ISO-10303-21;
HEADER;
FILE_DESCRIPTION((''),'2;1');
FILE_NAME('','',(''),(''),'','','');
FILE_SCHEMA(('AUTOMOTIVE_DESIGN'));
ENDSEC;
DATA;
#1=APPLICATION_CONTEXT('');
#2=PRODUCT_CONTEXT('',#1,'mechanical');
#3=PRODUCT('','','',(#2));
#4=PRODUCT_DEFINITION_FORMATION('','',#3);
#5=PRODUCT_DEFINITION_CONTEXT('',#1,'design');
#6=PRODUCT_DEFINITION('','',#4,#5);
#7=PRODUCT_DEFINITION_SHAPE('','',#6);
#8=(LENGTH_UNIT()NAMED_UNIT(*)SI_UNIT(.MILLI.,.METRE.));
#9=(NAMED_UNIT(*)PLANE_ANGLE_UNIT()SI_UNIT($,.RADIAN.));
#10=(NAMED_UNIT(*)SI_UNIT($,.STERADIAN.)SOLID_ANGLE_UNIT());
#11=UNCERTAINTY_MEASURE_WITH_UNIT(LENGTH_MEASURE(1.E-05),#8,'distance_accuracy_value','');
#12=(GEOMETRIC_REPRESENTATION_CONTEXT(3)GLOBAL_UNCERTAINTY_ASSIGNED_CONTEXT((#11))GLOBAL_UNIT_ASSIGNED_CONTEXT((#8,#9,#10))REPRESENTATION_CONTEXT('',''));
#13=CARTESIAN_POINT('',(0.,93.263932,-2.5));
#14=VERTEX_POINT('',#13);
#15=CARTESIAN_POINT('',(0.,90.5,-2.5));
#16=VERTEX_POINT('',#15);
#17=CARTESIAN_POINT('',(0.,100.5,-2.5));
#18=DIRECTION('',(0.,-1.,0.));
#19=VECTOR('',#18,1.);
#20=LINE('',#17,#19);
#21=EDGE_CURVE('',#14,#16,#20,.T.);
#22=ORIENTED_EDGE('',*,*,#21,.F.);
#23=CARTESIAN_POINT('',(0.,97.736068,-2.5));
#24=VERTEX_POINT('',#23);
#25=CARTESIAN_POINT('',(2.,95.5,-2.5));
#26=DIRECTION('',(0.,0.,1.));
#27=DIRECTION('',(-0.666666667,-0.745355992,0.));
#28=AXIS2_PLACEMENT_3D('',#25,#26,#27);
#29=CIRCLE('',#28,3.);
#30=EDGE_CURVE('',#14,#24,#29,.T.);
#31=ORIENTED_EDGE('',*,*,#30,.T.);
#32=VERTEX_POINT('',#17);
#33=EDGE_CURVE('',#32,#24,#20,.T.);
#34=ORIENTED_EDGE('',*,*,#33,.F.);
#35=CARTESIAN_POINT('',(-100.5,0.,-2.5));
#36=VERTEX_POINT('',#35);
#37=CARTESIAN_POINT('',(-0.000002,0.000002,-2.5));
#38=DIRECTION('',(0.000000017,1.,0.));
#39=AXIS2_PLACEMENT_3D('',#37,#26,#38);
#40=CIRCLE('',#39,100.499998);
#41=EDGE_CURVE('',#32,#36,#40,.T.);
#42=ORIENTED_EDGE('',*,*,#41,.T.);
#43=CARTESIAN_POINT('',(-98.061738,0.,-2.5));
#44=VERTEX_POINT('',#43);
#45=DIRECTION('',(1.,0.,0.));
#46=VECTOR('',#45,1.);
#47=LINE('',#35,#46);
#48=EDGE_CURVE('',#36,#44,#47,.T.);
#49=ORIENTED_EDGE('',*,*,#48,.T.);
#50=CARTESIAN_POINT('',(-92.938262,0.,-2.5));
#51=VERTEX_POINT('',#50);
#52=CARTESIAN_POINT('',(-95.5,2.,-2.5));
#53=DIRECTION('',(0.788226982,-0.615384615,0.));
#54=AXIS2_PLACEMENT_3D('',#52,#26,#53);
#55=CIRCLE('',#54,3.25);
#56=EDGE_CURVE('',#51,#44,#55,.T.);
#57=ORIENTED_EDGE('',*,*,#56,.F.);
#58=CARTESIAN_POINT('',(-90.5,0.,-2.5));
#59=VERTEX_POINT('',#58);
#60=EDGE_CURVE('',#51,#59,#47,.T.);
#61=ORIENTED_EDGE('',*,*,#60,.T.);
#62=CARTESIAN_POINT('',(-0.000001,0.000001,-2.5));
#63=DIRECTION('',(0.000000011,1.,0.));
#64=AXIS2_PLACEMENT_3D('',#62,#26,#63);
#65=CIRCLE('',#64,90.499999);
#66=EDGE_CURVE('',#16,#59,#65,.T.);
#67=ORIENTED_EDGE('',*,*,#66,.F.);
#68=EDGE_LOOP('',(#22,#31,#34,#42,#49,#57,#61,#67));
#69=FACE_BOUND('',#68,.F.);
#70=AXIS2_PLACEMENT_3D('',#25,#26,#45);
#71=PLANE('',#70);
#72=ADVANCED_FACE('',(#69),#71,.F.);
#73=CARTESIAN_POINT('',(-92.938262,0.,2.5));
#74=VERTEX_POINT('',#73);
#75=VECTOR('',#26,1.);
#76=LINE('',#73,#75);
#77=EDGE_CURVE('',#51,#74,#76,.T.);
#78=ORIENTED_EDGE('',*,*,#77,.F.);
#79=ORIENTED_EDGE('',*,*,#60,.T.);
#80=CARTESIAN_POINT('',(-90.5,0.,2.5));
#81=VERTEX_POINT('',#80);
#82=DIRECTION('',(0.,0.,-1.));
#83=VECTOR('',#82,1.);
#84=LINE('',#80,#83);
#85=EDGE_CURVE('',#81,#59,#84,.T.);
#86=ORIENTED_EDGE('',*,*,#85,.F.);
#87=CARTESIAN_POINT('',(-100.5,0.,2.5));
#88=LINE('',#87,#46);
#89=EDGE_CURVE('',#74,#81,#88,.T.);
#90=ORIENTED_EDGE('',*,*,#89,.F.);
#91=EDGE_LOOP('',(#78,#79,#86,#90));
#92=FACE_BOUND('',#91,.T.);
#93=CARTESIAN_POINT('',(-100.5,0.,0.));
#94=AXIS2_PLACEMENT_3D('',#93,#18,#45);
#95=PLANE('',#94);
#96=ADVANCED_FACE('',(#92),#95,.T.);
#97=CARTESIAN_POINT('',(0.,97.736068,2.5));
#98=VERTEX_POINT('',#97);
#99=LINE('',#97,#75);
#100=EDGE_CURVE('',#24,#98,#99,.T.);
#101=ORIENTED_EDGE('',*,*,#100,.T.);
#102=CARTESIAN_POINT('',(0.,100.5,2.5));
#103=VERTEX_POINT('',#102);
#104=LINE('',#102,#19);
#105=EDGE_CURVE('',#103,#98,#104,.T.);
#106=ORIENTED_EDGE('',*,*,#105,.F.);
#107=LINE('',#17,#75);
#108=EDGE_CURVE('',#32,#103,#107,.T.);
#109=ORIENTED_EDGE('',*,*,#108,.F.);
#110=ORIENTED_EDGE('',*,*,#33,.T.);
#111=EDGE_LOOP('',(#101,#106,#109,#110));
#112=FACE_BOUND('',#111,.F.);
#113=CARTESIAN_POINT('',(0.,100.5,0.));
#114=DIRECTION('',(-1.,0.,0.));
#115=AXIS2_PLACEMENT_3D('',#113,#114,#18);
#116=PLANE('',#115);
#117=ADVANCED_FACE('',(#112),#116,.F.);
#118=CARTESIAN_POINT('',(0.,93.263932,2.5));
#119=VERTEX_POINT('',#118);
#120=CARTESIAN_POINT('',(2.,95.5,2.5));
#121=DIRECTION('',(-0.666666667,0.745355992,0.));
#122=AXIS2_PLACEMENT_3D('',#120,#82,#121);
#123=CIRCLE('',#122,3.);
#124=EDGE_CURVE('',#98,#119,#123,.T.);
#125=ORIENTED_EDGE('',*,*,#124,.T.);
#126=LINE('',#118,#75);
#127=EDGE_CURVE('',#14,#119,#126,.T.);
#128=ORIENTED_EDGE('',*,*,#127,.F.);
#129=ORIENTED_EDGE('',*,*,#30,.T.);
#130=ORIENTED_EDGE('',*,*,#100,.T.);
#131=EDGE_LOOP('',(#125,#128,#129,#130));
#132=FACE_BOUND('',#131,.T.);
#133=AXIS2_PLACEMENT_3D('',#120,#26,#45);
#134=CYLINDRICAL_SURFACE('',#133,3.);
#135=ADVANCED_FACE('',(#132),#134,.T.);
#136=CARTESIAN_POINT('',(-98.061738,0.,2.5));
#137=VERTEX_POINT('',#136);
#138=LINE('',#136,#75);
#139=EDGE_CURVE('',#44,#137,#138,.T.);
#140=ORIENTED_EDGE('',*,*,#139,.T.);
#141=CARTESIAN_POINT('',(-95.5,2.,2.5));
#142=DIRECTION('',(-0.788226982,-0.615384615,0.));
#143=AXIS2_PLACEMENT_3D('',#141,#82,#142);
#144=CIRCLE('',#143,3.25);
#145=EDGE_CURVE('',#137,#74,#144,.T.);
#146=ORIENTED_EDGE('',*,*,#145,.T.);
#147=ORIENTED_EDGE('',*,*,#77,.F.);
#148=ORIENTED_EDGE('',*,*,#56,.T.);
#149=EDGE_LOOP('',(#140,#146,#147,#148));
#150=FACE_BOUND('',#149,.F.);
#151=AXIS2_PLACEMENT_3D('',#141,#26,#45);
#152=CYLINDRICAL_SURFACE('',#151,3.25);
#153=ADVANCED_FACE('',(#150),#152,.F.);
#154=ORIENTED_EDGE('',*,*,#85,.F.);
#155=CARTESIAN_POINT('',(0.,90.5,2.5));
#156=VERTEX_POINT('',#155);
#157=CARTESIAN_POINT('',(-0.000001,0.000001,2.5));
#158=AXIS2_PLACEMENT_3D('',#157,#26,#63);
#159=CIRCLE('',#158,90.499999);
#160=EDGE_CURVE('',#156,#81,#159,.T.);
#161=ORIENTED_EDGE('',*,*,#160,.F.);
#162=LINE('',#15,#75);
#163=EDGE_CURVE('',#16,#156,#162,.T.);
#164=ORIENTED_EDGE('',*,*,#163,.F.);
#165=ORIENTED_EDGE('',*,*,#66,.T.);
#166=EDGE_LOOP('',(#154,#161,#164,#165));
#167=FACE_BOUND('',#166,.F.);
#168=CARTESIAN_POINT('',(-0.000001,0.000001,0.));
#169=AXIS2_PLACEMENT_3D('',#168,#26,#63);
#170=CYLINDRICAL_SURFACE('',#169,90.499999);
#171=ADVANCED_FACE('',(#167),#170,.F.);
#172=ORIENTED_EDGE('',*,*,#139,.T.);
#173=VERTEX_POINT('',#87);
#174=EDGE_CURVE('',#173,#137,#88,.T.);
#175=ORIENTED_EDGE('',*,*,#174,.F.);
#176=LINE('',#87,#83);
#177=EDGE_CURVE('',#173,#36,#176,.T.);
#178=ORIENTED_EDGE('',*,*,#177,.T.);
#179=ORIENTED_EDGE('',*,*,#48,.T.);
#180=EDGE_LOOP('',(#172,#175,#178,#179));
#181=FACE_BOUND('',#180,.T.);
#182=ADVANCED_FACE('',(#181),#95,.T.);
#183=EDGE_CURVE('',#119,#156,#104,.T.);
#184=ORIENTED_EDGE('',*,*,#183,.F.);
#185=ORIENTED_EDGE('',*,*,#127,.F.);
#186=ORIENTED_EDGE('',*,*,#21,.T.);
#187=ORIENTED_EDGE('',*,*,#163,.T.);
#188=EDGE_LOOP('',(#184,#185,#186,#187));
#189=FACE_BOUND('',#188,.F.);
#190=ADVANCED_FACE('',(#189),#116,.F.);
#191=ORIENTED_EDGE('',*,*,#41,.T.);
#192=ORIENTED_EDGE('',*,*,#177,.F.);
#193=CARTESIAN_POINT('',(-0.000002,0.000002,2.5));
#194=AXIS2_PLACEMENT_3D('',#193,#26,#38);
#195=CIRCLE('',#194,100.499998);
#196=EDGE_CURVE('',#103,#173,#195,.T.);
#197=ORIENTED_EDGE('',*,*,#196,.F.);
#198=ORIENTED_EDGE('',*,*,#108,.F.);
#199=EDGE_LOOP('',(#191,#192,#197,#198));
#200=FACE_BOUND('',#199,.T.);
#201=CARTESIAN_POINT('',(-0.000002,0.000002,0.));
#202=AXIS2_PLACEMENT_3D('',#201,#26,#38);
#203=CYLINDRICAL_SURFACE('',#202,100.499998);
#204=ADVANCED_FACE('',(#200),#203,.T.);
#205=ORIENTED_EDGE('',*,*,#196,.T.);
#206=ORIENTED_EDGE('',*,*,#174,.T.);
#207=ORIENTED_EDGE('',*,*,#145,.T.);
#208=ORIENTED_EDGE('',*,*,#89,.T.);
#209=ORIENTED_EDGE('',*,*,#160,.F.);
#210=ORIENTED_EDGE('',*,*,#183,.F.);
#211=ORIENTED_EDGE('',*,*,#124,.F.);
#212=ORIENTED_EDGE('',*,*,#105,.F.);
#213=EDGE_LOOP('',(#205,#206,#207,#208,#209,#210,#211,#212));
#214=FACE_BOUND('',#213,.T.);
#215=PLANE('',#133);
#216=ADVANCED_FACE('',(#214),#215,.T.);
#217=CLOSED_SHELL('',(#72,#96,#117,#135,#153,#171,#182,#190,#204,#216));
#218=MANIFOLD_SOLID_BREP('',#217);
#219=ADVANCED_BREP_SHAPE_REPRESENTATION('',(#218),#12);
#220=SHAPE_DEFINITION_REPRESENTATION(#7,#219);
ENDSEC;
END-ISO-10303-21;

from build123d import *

# Parameters (mm, degrees)
PAD_DEPTH    = 2.5
SKETCH001_R  = 3
PAD001_DEPTH = 5
SKETCH002_R  = 3.25
POCKET_DEPTH = 5


with BuildPart() as part:
    # Sketch → Pad (new body, symmetric)
    with BuildSketch(Plane.XY):
        with BuildLine():
            ThreePointArc((0, 90.5), (-63.993164, 63.993164), (-90.5, 0))
            Line((-100.5, 0), (-90.5, 0))
            ThreePointArc((0, 100.5), (-71.064232, 71.064232), (-100.5, 0))
            Line((0, 100.5), (0, 90.5))
        make_face()
    extrude(amount=PAD_DEPTH, both=True)

    # Sketch001 → Pad001 (new body)
    with BuildSketch(Plane.XY.offset(2.5)):
        with Locations((2, 95.5)):
            Circle(SKETCH001_R)
    extrude(amount=-PAD001_DEPTH)

    # Sketch002 → Pocket (cut)
    with BuildSketch(Plane.XY.offset(2.5)):
        with Locations((-95.5, 2)):
            Circle(SKETCH002_R)
    extrude(amount=-POCKET_DEPTH, mode=Mode.SUBTRACT)


solid = part.part
